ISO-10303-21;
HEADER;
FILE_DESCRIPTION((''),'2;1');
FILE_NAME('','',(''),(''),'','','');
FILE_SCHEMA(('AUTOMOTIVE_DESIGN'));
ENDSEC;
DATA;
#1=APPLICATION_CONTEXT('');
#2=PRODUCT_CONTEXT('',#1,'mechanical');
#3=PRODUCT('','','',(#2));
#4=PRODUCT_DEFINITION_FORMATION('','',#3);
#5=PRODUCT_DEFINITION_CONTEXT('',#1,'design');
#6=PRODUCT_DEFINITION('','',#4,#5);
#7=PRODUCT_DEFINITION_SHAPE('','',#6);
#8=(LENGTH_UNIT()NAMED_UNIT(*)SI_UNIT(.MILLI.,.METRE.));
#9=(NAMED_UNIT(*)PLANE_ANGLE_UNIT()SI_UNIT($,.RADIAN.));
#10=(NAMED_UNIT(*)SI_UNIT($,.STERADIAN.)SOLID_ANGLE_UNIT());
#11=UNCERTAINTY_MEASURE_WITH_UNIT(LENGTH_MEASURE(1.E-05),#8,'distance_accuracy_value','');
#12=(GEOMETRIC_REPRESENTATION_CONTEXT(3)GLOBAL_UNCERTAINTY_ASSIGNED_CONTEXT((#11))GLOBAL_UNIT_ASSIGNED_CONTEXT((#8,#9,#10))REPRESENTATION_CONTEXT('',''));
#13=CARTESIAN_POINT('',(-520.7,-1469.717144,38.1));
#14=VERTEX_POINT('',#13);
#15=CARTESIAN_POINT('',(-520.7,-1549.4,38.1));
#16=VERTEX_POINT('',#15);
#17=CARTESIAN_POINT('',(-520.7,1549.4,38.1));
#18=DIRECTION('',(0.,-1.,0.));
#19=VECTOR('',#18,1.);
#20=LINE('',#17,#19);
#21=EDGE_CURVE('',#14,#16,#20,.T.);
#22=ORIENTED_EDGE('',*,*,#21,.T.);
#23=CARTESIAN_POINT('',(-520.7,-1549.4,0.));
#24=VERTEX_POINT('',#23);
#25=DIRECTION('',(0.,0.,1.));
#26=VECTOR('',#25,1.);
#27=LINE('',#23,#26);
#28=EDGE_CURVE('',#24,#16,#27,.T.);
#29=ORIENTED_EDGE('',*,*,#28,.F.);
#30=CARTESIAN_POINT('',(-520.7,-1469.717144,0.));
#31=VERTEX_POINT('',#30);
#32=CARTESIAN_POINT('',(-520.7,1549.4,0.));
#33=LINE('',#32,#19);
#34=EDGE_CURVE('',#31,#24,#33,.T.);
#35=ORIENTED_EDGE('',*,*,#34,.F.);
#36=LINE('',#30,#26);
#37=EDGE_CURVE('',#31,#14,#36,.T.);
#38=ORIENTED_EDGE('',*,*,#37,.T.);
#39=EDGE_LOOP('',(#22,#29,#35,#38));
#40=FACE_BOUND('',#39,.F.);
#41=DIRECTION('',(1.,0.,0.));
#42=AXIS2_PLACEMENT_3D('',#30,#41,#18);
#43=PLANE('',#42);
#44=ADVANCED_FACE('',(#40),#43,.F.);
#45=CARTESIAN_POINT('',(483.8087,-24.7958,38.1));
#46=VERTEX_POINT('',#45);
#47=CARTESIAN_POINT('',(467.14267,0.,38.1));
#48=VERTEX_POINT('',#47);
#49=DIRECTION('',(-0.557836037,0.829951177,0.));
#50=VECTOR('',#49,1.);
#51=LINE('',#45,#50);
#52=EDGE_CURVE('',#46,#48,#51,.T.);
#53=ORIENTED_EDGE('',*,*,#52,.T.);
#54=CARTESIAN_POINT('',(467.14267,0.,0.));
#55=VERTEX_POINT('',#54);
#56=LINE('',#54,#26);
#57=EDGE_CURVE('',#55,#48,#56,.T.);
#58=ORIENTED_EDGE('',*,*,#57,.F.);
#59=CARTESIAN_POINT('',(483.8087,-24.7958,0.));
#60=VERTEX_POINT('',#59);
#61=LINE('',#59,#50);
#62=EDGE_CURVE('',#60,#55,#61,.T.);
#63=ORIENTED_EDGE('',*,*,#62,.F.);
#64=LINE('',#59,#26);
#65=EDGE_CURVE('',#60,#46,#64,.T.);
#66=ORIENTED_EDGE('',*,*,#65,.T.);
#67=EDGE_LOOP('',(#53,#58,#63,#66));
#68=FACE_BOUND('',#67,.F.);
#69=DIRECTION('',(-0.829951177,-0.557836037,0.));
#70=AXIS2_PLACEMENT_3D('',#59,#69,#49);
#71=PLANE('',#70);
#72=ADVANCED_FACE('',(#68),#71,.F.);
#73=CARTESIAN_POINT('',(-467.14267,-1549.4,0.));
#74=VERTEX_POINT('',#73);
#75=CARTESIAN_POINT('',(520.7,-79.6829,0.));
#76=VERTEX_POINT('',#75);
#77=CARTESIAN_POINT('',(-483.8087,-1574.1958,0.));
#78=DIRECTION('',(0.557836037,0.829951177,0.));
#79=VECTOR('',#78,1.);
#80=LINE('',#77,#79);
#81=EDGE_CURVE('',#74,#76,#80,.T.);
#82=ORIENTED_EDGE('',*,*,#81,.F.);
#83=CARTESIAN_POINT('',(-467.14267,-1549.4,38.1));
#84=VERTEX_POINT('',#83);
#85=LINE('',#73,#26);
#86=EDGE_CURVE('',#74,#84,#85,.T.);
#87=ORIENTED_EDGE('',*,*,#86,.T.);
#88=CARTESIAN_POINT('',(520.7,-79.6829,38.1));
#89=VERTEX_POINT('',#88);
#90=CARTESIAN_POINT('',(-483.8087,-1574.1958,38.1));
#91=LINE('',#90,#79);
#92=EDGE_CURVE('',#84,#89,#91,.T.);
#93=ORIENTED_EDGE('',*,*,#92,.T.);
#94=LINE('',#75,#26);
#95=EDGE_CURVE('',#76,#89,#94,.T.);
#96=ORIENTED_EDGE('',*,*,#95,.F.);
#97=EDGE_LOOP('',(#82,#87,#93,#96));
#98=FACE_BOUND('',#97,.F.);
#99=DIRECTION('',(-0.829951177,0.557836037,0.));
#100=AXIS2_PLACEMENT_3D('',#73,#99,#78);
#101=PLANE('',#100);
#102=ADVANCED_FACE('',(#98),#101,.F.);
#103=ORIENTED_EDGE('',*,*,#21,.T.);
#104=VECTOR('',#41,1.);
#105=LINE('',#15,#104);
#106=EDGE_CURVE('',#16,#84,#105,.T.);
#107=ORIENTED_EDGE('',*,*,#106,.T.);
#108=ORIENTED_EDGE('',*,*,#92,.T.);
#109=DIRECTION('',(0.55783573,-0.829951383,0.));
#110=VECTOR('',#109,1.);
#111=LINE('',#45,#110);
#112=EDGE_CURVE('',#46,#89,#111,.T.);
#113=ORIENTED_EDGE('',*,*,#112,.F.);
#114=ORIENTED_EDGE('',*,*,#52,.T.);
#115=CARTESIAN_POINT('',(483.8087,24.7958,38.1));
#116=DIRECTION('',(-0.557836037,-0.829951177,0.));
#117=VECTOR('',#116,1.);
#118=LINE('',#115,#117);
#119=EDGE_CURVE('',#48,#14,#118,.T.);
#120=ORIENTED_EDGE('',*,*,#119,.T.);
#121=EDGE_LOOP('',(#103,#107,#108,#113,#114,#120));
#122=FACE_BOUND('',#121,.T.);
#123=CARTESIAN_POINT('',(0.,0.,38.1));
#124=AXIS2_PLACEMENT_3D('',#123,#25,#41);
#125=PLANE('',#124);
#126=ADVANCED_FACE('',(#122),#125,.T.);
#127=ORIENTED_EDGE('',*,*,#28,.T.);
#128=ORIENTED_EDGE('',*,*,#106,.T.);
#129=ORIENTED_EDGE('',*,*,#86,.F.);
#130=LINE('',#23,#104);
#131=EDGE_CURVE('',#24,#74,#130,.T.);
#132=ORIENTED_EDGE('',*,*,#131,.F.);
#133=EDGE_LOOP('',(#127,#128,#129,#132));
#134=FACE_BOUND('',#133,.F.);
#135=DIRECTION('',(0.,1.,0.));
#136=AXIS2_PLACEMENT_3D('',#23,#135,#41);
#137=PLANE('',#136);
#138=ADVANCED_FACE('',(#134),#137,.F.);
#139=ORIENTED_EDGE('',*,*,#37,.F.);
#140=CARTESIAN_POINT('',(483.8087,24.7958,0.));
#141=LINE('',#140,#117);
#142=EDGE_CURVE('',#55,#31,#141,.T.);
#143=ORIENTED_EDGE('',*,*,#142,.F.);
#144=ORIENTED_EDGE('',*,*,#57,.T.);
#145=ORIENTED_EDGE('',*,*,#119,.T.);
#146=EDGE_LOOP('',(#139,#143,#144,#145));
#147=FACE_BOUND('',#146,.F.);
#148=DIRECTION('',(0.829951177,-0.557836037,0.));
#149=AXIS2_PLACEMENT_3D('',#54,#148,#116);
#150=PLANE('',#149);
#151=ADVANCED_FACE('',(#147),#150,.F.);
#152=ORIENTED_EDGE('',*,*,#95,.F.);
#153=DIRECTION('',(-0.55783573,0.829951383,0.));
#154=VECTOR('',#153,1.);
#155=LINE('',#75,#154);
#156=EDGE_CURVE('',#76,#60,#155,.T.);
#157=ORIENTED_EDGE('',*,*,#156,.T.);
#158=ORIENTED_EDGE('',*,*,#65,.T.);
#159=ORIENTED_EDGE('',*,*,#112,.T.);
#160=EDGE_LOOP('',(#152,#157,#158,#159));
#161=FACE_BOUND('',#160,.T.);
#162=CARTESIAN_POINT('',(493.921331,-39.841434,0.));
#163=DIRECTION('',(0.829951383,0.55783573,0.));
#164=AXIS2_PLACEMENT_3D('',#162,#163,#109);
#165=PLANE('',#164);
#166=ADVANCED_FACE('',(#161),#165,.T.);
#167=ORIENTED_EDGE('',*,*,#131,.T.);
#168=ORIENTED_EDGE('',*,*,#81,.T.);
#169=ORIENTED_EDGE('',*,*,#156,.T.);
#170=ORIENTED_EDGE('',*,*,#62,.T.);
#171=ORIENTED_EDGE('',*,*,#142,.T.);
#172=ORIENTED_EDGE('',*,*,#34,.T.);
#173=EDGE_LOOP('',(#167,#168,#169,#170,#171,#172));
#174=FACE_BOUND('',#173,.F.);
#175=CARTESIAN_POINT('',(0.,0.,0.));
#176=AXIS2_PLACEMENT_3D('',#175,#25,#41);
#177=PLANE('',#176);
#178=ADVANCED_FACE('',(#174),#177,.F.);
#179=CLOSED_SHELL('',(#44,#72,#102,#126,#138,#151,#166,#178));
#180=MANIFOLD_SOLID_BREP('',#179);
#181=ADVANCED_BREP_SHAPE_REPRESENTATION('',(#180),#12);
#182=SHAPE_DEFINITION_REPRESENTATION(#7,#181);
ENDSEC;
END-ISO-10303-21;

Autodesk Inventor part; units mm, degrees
ref_plane "YZ Plane" through (0, 0, 0) normal (1, 0, 0) x (0, 1, 0)
ref_plane "XZ Plane" through (0, 0, 0) normal (0, 1, 0) x (-1, 0, 0)
ref_plane "XY Plane" through (0, 0, 0) normal (0, 0, 1) x (1, 0, 0)
sketch "Sketch1" plane through (0, 0, 0) normal (0, 0, 1) x (1, 0, 0)
  line L0 (-520.7, -1549.4) -> (520.7, -1549.4)
  line L1 (520.7, -1549.4) -> (520.7, 1549.4)
  line L2 (520.7, 1549.4) -> (-520.7, 1549.4)
  line L3 (-520.7, 1549.4) -> (-520.7, -1549.4)
  line L4 (-520.7, -1549.4) -> (520.7, 1549.4) construction
  line L5 (520.7, -1549.4) -> (-520.7, 1549.4) construction
  line L6 (-520.7, 0) -> (520.7, 0)
  line L7 (520.7, 0) -> (-520.7, -1549.4)
  line L8 (-483.8087, -1574.1958) -> (-557.5913, -1524.6042)
  line L9 (557.5913, -24.7958) -> (483.8087, 24.7958)
  line L10 (483.8087, 24.7958) -> (-557.5913, -1524.6042)
  line L11 (-483.8087, -1574.1958) -> (557.5913, -24.7958)
  line L12 (483.8087, 24.7958) -> (520.7, 79.6829)
  line L13 (-520.7, 1549.4) -> (520.7, -1549.4) construction
  line L14 (520.7, 0) -> (-520.7, 1549.4)
  line L15 (-483.8087, 1574.1958) -> (-557.5913, 1524.6042)
  line L16 (557.5913, 24.7958) -> (483.8087, -24.7958)
  line L17 (483.8087, -24.7958) -> (-557.5913, 1524.6042)
  line L18 (-483.8087, 1574.1958) -> (557.5913, 24.7958)
  line L19 (483.8087, -24.7958) -> (520.7, -79.6829)
  point P0 (0, 0)
  point P1 (520.7, 79.6829)
  point P2 (-467.1426, 1549.4)
  point P3 (-520.7, 1469.7171)
  point P4 (520.7, -79.6829)
  point P5 (520.7, -79.6829)
  point P6 (467.1426, 0)
  point P7 (-520.7, -1469.7171)
  point P8 (-467.1426, -1549.4)
  dimension "d0" = 1041.4
  dimension "d1" = 3098.8
  dimension "d3" = 88.9
  dimension "d4" = 88.9
extrude "Extrusion1" add sketch "Sketch1" along normal blind 38.1 contours L7 L19 L11 L0 | L3 L10 L17 L19 L7
properties part number "S_2x4x73.498"
